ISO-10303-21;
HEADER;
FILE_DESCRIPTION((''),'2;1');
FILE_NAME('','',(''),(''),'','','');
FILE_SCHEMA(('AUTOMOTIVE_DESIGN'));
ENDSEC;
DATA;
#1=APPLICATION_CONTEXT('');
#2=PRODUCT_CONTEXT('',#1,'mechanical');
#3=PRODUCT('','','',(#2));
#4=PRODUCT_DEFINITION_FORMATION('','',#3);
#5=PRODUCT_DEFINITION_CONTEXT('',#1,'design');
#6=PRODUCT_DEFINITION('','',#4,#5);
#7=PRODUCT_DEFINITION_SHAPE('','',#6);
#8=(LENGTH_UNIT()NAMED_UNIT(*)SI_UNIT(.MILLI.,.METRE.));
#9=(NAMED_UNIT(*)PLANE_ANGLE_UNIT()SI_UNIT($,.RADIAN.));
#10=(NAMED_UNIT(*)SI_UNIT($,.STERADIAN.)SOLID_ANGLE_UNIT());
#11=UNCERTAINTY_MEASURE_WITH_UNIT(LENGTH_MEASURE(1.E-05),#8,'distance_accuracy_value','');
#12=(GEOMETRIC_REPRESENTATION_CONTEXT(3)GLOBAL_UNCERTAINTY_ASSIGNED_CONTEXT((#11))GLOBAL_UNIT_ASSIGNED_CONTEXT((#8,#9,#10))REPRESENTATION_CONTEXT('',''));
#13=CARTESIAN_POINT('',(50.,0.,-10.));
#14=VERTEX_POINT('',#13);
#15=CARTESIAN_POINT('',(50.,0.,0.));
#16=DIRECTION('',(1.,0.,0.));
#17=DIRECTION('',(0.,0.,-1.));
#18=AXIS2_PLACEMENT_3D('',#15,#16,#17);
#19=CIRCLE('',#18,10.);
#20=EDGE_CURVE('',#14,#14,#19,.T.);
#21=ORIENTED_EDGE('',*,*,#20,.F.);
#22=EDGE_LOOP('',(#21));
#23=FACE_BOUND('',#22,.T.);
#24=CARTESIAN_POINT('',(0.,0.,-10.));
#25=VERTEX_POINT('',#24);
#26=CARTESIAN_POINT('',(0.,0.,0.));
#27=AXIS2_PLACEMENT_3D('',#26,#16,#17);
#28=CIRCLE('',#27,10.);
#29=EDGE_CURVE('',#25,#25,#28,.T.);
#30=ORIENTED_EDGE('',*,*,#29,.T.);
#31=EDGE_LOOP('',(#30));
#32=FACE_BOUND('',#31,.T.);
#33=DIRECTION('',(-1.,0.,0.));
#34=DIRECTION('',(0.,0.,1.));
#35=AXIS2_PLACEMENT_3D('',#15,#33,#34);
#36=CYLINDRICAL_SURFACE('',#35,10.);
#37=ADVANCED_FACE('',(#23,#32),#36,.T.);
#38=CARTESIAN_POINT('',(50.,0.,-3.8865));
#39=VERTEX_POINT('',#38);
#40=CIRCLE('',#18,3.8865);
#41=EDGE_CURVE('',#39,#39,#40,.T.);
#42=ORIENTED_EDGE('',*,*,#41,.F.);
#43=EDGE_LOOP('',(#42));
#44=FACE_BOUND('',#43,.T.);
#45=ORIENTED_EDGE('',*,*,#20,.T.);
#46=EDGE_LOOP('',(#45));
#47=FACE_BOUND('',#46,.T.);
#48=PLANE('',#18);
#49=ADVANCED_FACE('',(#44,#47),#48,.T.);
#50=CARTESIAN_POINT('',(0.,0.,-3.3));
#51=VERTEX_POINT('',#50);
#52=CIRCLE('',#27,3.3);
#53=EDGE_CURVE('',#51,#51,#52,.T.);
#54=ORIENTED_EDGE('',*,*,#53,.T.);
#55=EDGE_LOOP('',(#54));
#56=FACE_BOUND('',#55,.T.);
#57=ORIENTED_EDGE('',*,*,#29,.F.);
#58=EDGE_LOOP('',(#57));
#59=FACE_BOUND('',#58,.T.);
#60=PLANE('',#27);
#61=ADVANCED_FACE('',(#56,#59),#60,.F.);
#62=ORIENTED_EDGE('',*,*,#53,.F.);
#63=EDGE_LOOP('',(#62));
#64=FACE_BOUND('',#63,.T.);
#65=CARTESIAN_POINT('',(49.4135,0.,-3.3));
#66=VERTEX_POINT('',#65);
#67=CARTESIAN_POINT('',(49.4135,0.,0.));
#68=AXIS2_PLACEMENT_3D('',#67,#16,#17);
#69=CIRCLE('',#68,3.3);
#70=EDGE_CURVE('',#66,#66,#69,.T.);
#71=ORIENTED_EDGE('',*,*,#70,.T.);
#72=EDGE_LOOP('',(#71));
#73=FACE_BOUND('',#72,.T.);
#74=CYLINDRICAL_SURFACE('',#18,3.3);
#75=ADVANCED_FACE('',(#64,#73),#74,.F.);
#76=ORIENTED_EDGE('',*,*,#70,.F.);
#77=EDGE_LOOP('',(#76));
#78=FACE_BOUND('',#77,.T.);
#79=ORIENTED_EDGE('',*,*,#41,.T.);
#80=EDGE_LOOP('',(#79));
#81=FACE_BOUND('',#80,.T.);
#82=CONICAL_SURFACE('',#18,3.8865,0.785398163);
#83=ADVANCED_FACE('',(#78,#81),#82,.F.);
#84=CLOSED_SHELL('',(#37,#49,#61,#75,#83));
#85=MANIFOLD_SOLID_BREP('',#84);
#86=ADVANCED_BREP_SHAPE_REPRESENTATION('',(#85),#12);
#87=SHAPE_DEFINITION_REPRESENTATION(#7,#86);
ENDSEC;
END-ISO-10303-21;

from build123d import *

# Parameters (mm, degrees)
SKETCH_1_R                      = 10
EXTRUDE_1_DEPTH                 = 50
HOLE_WIZARD_G1_16_2_D           = 6.6
HOLE_WIZARD_G1_16_2_DEPTH       = 50
HOLE_WIZARD_G1_16_2_CSINK_D     = 7.773
HOLE_WIZARD_G1_16_2_CSINK_ANGLE = 90
HOLE_WIZARD_G1_16_2_TIP         = 1.982840043


with BuildPart() as part:
    # 草图1 → 凸台-拉伸1 (new body)
    with BuildSketch(Plane(origin=(0, 0, 0), x_dir=(0, 0, -1), z_dir=(1, 0, 0))):
        Circle(SKETCH_1_R)
    extrude(amount=EXTRUDE_1_DEPTH)

    # G1/16 螺纹孔2
    with Locations(Plane(origin=(50, 0, 0), x_dir=(0, 0, -1), z_dir=(1, 0, 0))):
        with Locations((0, 0)):
            CounterSinkHole(HOLE_WIZARD_G1_16_2_D / 2, HOLE_WIZARD_G1_16_2_CSINK_D / 2, depth=HOLE_WIZARD_G1_16_2_DEPTH, counter_sink_angle=HOLE_WIZARD_G1_16_2_CSINK_ANGLE)
            with Locations((0, 0, -(HOLE_WIZARD_G1_16_2_DEPTH + HOLE_WIZARD_G1_16_2_TIP / 2))):  # 118° drill point
                Cone(0, HOLE_WIZARD_G1_16_2_D / 2, HOLE_WIZARD_G1_16_2_TIP, mode=Mode.SUBTRACT)


solid = part.part
